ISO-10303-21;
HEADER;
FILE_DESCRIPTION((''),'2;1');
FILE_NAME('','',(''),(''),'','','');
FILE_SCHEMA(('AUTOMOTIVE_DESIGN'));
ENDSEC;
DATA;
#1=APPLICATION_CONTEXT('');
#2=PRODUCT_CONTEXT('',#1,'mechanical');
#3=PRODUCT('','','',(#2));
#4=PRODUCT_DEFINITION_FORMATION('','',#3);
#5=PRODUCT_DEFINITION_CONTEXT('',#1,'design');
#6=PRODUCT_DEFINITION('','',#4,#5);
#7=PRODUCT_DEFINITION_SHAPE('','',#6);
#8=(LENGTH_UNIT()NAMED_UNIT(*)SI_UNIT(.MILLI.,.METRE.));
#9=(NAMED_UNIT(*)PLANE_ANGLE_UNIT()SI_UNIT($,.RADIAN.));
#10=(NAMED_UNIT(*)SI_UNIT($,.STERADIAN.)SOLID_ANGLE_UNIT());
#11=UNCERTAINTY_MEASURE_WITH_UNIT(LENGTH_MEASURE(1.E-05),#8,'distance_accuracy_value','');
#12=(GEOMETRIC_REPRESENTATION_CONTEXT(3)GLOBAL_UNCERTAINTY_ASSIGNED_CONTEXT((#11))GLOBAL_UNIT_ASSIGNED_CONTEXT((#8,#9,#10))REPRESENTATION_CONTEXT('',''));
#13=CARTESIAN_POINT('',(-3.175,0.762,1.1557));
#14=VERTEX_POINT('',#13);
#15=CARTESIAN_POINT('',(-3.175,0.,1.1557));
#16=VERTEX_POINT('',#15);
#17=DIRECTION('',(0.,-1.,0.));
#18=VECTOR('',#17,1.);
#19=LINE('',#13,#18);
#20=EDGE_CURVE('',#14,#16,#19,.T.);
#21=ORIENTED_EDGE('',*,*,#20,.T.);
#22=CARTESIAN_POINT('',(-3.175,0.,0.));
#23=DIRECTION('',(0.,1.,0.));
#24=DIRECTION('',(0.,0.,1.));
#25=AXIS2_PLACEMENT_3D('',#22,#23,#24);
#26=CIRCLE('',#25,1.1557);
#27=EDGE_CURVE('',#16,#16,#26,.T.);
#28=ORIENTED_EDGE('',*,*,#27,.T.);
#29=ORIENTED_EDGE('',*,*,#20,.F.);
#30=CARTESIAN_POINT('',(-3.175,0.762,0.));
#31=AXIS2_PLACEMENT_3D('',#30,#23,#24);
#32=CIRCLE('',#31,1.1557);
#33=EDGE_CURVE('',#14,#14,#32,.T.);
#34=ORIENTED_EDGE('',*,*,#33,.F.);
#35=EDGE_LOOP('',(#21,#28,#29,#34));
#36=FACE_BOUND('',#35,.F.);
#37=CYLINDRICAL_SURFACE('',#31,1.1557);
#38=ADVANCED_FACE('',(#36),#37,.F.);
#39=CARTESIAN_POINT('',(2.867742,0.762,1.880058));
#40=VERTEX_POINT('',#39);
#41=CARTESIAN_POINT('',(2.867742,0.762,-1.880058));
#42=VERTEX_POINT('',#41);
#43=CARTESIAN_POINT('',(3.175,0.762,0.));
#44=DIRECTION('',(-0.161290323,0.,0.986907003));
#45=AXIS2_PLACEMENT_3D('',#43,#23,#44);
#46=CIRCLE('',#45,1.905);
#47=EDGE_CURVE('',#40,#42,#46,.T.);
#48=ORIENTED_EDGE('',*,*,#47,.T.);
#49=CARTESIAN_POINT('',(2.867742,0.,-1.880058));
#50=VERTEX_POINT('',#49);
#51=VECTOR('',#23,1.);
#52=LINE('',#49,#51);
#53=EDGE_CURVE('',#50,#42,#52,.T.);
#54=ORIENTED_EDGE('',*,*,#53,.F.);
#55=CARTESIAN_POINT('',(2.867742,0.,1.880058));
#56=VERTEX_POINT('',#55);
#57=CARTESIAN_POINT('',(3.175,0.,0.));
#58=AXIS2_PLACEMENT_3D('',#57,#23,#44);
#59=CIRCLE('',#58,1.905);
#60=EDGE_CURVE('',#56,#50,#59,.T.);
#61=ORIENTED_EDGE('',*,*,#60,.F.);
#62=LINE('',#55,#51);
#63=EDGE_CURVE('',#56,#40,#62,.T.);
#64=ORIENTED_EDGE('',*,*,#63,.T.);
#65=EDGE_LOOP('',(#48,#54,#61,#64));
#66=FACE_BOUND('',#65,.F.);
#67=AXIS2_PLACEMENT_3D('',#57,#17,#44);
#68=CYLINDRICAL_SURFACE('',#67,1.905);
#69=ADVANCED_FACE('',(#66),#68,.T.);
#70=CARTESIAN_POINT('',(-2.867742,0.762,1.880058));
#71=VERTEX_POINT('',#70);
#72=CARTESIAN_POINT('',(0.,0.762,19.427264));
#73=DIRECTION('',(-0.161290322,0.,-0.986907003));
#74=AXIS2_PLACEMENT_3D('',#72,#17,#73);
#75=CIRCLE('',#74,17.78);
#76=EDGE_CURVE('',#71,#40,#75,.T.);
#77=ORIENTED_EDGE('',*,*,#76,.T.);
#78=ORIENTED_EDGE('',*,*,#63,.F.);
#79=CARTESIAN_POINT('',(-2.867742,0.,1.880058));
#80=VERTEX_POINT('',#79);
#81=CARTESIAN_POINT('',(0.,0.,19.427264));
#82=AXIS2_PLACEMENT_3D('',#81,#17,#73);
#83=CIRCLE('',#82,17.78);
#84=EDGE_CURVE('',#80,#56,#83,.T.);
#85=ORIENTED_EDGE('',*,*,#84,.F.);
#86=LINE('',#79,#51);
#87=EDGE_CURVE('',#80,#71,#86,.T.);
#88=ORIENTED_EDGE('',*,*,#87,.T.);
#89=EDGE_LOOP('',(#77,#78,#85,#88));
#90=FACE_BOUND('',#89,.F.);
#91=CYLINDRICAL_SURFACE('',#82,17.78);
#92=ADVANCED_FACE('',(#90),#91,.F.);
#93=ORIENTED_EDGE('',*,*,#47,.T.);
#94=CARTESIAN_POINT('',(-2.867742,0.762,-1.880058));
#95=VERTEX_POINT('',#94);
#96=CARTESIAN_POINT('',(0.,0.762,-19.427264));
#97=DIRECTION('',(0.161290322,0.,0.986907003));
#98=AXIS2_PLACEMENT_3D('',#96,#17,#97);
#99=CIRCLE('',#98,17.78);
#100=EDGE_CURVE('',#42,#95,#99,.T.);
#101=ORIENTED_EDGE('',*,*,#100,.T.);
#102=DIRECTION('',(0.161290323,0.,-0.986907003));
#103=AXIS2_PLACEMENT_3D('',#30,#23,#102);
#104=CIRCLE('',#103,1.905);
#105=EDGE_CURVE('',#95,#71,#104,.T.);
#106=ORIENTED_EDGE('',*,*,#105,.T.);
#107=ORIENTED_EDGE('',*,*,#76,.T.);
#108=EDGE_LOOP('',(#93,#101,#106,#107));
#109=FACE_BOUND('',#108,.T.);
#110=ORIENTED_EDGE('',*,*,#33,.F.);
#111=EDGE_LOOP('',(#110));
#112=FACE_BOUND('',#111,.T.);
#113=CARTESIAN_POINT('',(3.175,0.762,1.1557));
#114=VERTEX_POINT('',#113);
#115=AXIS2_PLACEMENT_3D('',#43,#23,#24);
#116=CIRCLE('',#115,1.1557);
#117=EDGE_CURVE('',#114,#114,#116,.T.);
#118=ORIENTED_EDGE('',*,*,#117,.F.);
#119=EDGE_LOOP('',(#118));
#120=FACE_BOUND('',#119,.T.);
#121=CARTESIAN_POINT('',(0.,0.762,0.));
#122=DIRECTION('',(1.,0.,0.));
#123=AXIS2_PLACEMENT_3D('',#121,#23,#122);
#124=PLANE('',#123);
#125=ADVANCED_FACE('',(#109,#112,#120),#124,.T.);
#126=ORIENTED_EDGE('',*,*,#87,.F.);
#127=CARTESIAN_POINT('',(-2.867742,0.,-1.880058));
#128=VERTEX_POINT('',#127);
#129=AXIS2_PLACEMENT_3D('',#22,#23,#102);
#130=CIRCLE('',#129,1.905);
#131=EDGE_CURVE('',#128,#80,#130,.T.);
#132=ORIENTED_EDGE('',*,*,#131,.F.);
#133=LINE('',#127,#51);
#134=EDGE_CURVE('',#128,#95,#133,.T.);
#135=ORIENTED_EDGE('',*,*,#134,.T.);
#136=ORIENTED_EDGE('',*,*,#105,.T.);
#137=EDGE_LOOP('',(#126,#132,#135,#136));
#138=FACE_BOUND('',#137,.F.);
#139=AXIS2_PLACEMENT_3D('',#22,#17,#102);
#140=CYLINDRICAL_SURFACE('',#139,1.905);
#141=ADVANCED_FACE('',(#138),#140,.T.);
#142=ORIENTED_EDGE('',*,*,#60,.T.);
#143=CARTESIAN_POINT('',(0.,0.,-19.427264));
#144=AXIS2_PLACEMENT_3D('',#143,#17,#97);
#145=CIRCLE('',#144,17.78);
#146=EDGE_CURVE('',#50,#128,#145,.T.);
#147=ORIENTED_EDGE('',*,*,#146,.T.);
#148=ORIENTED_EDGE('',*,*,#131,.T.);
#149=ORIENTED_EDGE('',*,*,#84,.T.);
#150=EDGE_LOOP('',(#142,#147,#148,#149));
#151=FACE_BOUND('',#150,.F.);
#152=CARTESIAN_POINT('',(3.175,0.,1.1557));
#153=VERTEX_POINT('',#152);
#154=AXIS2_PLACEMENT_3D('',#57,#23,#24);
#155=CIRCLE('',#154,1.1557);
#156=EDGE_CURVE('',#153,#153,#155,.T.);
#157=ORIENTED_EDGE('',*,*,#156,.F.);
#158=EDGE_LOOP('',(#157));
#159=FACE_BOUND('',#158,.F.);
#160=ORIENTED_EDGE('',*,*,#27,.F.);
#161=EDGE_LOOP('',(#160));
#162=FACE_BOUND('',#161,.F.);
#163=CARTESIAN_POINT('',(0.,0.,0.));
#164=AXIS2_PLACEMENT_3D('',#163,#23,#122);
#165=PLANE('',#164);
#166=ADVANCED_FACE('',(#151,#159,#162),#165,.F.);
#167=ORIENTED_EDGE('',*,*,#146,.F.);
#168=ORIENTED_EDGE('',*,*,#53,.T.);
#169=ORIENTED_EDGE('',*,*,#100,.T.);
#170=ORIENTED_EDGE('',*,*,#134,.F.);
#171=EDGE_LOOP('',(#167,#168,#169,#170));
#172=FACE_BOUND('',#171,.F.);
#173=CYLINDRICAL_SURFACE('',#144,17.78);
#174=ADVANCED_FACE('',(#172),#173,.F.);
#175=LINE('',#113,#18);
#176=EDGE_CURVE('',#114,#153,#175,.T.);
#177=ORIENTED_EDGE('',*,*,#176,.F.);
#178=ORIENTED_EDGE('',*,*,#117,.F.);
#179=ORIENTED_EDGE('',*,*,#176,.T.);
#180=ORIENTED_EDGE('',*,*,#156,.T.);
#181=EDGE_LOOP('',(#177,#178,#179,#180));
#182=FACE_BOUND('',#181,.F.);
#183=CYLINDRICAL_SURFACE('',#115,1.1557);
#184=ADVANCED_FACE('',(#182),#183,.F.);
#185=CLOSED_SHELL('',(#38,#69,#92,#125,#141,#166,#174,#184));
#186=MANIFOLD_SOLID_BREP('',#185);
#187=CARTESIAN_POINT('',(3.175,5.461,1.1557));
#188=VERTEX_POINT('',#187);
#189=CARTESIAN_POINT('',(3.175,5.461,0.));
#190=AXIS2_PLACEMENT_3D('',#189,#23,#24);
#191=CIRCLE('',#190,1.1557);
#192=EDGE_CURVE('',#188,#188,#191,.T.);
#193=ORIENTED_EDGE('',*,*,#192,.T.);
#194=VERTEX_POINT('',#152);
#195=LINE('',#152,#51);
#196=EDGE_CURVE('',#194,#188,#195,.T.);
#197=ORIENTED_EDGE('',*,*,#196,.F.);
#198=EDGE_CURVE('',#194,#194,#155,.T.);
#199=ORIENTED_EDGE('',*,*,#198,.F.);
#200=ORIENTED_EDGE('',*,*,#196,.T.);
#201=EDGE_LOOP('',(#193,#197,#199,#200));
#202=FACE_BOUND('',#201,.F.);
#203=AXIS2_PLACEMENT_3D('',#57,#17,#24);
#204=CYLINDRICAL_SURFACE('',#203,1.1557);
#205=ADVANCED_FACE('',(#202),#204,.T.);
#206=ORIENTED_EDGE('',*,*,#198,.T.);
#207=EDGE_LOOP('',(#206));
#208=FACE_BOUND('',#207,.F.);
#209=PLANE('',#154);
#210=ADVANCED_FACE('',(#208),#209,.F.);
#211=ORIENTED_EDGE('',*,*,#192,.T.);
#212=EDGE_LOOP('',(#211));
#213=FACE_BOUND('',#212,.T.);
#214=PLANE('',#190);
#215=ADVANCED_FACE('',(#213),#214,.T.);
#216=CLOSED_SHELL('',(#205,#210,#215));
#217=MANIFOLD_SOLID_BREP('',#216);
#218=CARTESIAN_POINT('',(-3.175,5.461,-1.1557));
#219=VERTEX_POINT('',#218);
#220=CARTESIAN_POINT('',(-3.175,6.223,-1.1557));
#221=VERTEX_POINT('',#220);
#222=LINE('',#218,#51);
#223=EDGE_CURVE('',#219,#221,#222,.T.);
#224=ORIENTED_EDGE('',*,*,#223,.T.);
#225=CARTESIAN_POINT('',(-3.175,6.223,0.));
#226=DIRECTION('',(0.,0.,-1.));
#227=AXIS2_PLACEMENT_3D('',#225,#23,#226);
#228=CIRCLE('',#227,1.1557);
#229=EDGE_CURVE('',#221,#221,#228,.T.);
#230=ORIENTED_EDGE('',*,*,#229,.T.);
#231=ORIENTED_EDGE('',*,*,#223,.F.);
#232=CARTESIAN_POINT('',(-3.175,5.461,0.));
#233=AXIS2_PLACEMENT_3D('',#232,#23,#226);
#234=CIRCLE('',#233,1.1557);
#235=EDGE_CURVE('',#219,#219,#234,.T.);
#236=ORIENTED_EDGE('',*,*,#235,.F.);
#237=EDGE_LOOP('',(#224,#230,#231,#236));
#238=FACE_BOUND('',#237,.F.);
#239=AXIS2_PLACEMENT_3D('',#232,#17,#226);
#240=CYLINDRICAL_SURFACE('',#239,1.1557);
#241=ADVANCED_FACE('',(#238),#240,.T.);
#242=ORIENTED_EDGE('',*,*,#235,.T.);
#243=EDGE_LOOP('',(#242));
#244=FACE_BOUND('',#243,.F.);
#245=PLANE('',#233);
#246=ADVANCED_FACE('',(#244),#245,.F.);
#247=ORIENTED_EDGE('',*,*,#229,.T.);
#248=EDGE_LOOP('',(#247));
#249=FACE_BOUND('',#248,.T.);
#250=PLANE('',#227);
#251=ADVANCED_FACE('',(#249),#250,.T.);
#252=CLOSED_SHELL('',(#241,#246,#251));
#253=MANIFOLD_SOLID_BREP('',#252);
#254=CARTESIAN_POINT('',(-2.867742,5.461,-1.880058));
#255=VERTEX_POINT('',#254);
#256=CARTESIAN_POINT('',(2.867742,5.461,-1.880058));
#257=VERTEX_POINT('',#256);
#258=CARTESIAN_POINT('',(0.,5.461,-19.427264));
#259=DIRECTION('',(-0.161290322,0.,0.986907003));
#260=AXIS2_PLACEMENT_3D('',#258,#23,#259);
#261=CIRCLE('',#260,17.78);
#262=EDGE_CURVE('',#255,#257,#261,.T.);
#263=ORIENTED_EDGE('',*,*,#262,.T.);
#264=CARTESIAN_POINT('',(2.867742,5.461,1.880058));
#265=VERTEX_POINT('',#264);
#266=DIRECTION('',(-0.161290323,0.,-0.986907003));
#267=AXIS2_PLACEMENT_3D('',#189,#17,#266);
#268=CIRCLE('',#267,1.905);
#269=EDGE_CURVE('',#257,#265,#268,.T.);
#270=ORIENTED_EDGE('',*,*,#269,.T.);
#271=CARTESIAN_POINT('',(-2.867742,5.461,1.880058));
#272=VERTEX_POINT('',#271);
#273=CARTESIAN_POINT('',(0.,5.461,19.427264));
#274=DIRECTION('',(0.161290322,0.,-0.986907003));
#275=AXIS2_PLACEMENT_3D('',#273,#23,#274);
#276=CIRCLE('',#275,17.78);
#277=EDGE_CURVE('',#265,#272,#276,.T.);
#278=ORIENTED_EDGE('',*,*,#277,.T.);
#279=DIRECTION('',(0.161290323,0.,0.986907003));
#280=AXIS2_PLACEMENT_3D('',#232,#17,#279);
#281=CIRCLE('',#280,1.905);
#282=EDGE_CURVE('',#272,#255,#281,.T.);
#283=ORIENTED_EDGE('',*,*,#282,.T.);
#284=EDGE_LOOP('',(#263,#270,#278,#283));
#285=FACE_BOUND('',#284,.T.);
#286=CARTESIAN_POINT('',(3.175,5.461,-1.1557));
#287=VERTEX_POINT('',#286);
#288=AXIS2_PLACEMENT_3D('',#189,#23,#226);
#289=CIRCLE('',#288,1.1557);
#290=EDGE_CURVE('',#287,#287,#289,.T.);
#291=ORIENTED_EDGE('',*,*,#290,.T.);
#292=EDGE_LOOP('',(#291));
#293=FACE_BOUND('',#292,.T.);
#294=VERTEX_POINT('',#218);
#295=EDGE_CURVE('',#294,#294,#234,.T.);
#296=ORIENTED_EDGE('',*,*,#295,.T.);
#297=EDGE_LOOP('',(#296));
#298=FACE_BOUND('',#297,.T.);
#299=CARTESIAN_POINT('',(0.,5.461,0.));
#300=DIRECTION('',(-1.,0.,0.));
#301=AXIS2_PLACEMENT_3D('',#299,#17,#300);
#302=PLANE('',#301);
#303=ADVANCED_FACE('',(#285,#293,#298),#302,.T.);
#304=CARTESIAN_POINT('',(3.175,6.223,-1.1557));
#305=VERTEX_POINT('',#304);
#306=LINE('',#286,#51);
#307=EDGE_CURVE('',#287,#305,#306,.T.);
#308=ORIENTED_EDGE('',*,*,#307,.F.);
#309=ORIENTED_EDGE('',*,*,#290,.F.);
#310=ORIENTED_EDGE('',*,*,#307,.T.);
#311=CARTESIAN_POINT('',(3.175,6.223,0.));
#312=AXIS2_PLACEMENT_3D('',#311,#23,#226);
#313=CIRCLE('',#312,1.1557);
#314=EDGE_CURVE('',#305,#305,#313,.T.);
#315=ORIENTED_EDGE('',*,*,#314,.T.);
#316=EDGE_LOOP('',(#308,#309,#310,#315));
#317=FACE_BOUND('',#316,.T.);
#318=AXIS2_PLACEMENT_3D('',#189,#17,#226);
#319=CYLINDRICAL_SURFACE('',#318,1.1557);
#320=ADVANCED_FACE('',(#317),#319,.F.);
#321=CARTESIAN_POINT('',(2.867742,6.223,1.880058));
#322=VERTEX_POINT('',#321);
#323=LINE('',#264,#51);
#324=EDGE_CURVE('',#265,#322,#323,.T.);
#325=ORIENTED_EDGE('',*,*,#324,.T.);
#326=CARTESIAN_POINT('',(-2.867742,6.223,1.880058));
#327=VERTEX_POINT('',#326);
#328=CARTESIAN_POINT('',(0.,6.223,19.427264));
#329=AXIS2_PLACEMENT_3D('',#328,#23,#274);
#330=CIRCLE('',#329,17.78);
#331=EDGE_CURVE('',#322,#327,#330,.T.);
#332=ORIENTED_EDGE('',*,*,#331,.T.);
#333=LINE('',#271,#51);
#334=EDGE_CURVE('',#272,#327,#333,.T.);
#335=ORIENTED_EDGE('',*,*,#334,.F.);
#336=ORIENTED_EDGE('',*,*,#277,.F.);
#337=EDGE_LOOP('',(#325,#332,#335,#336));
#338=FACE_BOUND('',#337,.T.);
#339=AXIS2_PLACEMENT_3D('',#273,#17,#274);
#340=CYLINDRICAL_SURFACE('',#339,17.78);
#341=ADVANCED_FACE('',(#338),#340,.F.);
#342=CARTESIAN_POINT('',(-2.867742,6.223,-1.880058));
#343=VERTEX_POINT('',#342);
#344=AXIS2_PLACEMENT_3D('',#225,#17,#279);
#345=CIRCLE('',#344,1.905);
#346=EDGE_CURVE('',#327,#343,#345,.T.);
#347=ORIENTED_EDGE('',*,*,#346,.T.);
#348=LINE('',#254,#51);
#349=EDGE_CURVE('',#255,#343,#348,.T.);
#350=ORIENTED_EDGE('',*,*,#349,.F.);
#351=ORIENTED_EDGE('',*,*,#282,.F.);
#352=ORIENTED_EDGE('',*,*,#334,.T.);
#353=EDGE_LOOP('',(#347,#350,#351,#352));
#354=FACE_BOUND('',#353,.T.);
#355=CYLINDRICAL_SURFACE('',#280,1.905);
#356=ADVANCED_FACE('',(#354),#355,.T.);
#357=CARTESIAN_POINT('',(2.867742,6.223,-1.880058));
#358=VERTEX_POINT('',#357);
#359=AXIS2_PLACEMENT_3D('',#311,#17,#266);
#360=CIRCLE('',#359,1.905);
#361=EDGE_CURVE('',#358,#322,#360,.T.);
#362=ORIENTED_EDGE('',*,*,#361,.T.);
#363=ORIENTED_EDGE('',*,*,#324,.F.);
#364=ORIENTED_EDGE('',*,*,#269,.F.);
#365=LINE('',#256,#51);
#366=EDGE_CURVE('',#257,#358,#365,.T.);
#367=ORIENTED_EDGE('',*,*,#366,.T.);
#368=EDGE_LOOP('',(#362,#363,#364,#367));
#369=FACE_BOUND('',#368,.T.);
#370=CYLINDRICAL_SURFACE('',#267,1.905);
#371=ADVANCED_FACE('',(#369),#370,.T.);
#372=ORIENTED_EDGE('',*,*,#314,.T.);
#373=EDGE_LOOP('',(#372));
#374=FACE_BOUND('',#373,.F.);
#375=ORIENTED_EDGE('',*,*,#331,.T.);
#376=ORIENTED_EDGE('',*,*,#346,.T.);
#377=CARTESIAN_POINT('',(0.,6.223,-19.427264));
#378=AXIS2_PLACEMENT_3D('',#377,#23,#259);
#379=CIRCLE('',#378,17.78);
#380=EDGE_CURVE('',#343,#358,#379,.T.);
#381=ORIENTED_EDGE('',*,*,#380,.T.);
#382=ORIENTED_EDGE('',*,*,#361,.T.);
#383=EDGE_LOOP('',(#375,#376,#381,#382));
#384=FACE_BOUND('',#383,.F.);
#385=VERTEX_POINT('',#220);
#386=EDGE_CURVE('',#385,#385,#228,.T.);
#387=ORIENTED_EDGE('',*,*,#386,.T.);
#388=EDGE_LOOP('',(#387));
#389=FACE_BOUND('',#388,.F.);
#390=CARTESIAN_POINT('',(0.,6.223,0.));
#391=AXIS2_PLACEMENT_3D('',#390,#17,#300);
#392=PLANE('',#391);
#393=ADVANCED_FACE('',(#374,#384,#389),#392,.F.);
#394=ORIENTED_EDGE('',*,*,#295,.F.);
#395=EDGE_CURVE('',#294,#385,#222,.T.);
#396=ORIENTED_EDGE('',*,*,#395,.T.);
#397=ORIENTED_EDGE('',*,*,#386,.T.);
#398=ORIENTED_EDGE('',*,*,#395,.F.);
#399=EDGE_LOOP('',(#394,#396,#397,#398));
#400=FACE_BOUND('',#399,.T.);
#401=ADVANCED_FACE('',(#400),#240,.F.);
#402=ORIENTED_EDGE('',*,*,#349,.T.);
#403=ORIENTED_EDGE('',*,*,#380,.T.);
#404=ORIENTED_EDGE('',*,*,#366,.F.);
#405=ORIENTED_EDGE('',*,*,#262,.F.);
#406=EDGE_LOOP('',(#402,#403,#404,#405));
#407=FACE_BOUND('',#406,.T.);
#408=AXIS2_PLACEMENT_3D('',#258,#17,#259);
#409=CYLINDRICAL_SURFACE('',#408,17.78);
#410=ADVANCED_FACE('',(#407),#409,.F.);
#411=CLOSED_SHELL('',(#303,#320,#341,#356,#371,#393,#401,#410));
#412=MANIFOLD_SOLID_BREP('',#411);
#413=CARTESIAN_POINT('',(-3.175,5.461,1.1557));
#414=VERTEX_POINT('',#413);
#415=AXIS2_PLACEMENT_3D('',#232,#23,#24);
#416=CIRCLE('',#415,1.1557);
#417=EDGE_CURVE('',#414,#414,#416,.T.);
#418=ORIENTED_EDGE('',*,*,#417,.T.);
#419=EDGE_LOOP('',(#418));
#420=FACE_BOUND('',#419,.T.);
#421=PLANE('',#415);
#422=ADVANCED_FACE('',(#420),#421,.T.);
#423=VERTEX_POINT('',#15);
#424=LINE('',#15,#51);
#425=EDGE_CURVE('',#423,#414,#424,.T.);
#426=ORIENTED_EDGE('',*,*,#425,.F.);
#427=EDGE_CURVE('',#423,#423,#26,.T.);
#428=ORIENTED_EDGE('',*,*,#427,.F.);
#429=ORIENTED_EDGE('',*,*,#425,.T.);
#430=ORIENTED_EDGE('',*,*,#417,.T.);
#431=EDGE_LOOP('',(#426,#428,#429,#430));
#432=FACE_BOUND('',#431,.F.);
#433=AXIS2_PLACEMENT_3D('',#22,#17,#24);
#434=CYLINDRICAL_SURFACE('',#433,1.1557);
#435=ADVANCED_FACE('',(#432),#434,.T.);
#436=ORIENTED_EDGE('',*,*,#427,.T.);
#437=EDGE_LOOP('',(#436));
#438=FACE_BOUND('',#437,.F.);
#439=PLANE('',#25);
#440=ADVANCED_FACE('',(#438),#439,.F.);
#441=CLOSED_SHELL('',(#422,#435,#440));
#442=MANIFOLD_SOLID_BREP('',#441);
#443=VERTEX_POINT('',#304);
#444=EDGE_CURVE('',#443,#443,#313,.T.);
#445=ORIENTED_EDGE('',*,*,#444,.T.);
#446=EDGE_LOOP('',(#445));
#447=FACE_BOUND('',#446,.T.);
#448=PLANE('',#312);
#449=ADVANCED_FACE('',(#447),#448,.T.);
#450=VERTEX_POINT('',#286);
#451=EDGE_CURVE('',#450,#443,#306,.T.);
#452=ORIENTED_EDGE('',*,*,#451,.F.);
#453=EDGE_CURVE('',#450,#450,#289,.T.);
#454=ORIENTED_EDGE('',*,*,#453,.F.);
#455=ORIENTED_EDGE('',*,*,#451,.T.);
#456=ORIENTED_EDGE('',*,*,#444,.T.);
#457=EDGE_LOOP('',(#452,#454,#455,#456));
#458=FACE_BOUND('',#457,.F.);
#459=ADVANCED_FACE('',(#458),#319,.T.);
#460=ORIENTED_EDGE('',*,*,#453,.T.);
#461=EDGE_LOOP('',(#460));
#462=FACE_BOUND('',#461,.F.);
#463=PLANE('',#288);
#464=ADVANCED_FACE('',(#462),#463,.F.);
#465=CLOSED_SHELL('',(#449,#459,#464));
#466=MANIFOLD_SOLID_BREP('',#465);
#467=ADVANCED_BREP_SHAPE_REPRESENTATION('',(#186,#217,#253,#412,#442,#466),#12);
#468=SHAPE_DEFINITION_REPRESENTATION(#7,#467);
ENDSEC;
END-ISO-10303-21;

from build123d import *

# Parameters (mm, degrees)
BOSS_EXTRUDE1_DEPTH        = 0.762
SKETCH2_R                  = 1.1557
CUT_EXTRUDE1_DEPTH         = 4.699
BOSS_EXTRUDE3_DEPTH        = 4.699
BOSS_EXTRUDE3_DEPTH_BACK   = 0.762
SKETCH2_2_R                = 1.1557
BOSS_EXTRUDE3_2_DEPTH      = 4.699
BOSS_EXTRUDE3_2_DEPTH_BACK = 0.762
SKETCH3_R                  = 1.1557
BOSS_EXTRUDE4_DEPTH        = 0.762
SKETCH4_R                  = 1.1557
BOSS_EXTRUDE6_DEPTH        = 0.762
BOSS_EXTRUDE6_2_DEPTH      = 0.762


with BuildPart() as part:
    # Sketch1 → Boss-Extrude1 (new body)
    with BuildSketch(Plane(origin=(0, 0, 0), x_dir=(1, 0, 0), z_dir=(0, 1, 0))):
        with BuildLine():
            ThreePointArc((-2.867741935, 1.88005784), (-5.08, 0), (-2.867741935, -1.88005784))
            ThreePointArc((-2.867741935, -1.88005784), (0, -1.647264347), (2.867741935, -1.88005784))
            ThreePointArc((2.867741935, -1.88005784), (5.08, 0), (2.867741935, 1.88005784))
            ThreePointArc((2.867741935, 1.88005784), (0, 1.647264347), (-2.867741935, 1.88005784))
        make_face()
    extrude(amount=BOSS_EXTRUDE1_DEPTH)

    # Sketch2 → Cut-Extrude1 (cut)
    with BuildSketch(Plane(origin=(0, 0.762, 0), x_dir=(1, 0, 0), z_dir=(0, 1, 0))):
        with Locations((3.175, 0)):
            Circle(SKETCH2_R)
        with Locations((-3.175, 0)):
            Circle(SKETCH2_R)
    extrude(amount=-CUT_EXTRUDE1_DEPTH, mode=Mode.SUBTRACT)


with BuildPart() as body_2:
    # Sketch2<2> → Boss-Extrude3 (new, two sides: drawn at the far end of the back side and taken through both)
    with BuildSketch(Plane(origin=(0, 0.762, 0), x_dir=(1, 0, 0), z_dir=(0, 1, 0)).offset(-BOSS_EXTRUDE3_DEPTH_BACK)):
        with Locations((3.175, 0)):
            Circle(SKETCH2_2_R)
    extrude(amount=BOSS_EXTRUDE3_DEPTH + BOSS_EXTRUDE3_DEPTH_BACK)


with BuildPart() as body_3:
    # Sketch2<2> → Boss-Extrude3 2 (new, two sides: drawn at the far end of the back side and taken through both)
    with BuildSketch(Plane(origin=(0, 0.762, 0), x_dir=(1, 0, 0), z_dir=(0, 1, 0)).offset(-BOSS_EXTRUDE3_2_DEPTH_BACK)):
        with Locations((-3.175, 0)):
            Circle(SKETCH2_2_R)
    extrude(amount=BOSS_EXTRUDE3_2_DEPTH + BOSS_EXTRUDE3_2_DEPTH_BACK)


with BuildPart() as body_4:
    # Sketch3 → Boss-Extrude4 (new body)
    with BuildSketch(Plane(origin=(0, 5.461, 0), x_dir=(1, 0, 0), z_dir=(0, 1, 0))):
        with BuildLine():
            ThreePointArc((-2.867741935, 1.88005784), (0, 1.647264347), (2.867741935, 1.88005784))
            ThreePointArc((2.867741935, 1.88005784), (5.08, 0), (2.867741935, -1.88005784))
            ThreePointArc((2.867741935, -1.88005784), (0, -1.647264347), (-2.867741935, -1.88005784))
            ThreePointArc((-2.867741935, -1.88005784), (-5.08, 0), (-2.867741935, 1.88005784))
        make_face()
        with Locations((3.175, 0)):
            Circle(SKETCH3_R, mode=Mode.SUBTRACT)
        with Locations((-3.175, 0)):
            Circle(SKETCH3_R, mode=Mode.SUBTRACT)
    extrude(amount=BOSS_EXTRUDE4_DEPTH)


with BuildPart() as body_5:
    # Sketch4 → Boss-Extrude6 (new body)
    with BuildSketch(Plane(origin=(0, 5.461, 0), x_dir=(1, 0, 0), z_dir=(0, 1, 0))):
        with Locations((3.175, 0)):
            Circle(SKETCH4_R)
    extrude(amount=BOSS_EXTRUDE6_DEPTH)


with BuildPart() as body_6:
    # Sketch4 → Boss-Extrude6 2 (new body)
    with BuildSketch(Plane(origin=(0, 5.461, 0), x_dir=(1, 0, 0), z_dir=(0, 1, 0))):
        with Locations((-3.175, 0)):
            Circle(SKETCH4_R)
    extrude(amount=BOSS_EXTRUDE6_2_DEPTH)


solid = Compound([part.part, body_2.part, body_3.part, body_4.part, body_5.part, body_6.part])
